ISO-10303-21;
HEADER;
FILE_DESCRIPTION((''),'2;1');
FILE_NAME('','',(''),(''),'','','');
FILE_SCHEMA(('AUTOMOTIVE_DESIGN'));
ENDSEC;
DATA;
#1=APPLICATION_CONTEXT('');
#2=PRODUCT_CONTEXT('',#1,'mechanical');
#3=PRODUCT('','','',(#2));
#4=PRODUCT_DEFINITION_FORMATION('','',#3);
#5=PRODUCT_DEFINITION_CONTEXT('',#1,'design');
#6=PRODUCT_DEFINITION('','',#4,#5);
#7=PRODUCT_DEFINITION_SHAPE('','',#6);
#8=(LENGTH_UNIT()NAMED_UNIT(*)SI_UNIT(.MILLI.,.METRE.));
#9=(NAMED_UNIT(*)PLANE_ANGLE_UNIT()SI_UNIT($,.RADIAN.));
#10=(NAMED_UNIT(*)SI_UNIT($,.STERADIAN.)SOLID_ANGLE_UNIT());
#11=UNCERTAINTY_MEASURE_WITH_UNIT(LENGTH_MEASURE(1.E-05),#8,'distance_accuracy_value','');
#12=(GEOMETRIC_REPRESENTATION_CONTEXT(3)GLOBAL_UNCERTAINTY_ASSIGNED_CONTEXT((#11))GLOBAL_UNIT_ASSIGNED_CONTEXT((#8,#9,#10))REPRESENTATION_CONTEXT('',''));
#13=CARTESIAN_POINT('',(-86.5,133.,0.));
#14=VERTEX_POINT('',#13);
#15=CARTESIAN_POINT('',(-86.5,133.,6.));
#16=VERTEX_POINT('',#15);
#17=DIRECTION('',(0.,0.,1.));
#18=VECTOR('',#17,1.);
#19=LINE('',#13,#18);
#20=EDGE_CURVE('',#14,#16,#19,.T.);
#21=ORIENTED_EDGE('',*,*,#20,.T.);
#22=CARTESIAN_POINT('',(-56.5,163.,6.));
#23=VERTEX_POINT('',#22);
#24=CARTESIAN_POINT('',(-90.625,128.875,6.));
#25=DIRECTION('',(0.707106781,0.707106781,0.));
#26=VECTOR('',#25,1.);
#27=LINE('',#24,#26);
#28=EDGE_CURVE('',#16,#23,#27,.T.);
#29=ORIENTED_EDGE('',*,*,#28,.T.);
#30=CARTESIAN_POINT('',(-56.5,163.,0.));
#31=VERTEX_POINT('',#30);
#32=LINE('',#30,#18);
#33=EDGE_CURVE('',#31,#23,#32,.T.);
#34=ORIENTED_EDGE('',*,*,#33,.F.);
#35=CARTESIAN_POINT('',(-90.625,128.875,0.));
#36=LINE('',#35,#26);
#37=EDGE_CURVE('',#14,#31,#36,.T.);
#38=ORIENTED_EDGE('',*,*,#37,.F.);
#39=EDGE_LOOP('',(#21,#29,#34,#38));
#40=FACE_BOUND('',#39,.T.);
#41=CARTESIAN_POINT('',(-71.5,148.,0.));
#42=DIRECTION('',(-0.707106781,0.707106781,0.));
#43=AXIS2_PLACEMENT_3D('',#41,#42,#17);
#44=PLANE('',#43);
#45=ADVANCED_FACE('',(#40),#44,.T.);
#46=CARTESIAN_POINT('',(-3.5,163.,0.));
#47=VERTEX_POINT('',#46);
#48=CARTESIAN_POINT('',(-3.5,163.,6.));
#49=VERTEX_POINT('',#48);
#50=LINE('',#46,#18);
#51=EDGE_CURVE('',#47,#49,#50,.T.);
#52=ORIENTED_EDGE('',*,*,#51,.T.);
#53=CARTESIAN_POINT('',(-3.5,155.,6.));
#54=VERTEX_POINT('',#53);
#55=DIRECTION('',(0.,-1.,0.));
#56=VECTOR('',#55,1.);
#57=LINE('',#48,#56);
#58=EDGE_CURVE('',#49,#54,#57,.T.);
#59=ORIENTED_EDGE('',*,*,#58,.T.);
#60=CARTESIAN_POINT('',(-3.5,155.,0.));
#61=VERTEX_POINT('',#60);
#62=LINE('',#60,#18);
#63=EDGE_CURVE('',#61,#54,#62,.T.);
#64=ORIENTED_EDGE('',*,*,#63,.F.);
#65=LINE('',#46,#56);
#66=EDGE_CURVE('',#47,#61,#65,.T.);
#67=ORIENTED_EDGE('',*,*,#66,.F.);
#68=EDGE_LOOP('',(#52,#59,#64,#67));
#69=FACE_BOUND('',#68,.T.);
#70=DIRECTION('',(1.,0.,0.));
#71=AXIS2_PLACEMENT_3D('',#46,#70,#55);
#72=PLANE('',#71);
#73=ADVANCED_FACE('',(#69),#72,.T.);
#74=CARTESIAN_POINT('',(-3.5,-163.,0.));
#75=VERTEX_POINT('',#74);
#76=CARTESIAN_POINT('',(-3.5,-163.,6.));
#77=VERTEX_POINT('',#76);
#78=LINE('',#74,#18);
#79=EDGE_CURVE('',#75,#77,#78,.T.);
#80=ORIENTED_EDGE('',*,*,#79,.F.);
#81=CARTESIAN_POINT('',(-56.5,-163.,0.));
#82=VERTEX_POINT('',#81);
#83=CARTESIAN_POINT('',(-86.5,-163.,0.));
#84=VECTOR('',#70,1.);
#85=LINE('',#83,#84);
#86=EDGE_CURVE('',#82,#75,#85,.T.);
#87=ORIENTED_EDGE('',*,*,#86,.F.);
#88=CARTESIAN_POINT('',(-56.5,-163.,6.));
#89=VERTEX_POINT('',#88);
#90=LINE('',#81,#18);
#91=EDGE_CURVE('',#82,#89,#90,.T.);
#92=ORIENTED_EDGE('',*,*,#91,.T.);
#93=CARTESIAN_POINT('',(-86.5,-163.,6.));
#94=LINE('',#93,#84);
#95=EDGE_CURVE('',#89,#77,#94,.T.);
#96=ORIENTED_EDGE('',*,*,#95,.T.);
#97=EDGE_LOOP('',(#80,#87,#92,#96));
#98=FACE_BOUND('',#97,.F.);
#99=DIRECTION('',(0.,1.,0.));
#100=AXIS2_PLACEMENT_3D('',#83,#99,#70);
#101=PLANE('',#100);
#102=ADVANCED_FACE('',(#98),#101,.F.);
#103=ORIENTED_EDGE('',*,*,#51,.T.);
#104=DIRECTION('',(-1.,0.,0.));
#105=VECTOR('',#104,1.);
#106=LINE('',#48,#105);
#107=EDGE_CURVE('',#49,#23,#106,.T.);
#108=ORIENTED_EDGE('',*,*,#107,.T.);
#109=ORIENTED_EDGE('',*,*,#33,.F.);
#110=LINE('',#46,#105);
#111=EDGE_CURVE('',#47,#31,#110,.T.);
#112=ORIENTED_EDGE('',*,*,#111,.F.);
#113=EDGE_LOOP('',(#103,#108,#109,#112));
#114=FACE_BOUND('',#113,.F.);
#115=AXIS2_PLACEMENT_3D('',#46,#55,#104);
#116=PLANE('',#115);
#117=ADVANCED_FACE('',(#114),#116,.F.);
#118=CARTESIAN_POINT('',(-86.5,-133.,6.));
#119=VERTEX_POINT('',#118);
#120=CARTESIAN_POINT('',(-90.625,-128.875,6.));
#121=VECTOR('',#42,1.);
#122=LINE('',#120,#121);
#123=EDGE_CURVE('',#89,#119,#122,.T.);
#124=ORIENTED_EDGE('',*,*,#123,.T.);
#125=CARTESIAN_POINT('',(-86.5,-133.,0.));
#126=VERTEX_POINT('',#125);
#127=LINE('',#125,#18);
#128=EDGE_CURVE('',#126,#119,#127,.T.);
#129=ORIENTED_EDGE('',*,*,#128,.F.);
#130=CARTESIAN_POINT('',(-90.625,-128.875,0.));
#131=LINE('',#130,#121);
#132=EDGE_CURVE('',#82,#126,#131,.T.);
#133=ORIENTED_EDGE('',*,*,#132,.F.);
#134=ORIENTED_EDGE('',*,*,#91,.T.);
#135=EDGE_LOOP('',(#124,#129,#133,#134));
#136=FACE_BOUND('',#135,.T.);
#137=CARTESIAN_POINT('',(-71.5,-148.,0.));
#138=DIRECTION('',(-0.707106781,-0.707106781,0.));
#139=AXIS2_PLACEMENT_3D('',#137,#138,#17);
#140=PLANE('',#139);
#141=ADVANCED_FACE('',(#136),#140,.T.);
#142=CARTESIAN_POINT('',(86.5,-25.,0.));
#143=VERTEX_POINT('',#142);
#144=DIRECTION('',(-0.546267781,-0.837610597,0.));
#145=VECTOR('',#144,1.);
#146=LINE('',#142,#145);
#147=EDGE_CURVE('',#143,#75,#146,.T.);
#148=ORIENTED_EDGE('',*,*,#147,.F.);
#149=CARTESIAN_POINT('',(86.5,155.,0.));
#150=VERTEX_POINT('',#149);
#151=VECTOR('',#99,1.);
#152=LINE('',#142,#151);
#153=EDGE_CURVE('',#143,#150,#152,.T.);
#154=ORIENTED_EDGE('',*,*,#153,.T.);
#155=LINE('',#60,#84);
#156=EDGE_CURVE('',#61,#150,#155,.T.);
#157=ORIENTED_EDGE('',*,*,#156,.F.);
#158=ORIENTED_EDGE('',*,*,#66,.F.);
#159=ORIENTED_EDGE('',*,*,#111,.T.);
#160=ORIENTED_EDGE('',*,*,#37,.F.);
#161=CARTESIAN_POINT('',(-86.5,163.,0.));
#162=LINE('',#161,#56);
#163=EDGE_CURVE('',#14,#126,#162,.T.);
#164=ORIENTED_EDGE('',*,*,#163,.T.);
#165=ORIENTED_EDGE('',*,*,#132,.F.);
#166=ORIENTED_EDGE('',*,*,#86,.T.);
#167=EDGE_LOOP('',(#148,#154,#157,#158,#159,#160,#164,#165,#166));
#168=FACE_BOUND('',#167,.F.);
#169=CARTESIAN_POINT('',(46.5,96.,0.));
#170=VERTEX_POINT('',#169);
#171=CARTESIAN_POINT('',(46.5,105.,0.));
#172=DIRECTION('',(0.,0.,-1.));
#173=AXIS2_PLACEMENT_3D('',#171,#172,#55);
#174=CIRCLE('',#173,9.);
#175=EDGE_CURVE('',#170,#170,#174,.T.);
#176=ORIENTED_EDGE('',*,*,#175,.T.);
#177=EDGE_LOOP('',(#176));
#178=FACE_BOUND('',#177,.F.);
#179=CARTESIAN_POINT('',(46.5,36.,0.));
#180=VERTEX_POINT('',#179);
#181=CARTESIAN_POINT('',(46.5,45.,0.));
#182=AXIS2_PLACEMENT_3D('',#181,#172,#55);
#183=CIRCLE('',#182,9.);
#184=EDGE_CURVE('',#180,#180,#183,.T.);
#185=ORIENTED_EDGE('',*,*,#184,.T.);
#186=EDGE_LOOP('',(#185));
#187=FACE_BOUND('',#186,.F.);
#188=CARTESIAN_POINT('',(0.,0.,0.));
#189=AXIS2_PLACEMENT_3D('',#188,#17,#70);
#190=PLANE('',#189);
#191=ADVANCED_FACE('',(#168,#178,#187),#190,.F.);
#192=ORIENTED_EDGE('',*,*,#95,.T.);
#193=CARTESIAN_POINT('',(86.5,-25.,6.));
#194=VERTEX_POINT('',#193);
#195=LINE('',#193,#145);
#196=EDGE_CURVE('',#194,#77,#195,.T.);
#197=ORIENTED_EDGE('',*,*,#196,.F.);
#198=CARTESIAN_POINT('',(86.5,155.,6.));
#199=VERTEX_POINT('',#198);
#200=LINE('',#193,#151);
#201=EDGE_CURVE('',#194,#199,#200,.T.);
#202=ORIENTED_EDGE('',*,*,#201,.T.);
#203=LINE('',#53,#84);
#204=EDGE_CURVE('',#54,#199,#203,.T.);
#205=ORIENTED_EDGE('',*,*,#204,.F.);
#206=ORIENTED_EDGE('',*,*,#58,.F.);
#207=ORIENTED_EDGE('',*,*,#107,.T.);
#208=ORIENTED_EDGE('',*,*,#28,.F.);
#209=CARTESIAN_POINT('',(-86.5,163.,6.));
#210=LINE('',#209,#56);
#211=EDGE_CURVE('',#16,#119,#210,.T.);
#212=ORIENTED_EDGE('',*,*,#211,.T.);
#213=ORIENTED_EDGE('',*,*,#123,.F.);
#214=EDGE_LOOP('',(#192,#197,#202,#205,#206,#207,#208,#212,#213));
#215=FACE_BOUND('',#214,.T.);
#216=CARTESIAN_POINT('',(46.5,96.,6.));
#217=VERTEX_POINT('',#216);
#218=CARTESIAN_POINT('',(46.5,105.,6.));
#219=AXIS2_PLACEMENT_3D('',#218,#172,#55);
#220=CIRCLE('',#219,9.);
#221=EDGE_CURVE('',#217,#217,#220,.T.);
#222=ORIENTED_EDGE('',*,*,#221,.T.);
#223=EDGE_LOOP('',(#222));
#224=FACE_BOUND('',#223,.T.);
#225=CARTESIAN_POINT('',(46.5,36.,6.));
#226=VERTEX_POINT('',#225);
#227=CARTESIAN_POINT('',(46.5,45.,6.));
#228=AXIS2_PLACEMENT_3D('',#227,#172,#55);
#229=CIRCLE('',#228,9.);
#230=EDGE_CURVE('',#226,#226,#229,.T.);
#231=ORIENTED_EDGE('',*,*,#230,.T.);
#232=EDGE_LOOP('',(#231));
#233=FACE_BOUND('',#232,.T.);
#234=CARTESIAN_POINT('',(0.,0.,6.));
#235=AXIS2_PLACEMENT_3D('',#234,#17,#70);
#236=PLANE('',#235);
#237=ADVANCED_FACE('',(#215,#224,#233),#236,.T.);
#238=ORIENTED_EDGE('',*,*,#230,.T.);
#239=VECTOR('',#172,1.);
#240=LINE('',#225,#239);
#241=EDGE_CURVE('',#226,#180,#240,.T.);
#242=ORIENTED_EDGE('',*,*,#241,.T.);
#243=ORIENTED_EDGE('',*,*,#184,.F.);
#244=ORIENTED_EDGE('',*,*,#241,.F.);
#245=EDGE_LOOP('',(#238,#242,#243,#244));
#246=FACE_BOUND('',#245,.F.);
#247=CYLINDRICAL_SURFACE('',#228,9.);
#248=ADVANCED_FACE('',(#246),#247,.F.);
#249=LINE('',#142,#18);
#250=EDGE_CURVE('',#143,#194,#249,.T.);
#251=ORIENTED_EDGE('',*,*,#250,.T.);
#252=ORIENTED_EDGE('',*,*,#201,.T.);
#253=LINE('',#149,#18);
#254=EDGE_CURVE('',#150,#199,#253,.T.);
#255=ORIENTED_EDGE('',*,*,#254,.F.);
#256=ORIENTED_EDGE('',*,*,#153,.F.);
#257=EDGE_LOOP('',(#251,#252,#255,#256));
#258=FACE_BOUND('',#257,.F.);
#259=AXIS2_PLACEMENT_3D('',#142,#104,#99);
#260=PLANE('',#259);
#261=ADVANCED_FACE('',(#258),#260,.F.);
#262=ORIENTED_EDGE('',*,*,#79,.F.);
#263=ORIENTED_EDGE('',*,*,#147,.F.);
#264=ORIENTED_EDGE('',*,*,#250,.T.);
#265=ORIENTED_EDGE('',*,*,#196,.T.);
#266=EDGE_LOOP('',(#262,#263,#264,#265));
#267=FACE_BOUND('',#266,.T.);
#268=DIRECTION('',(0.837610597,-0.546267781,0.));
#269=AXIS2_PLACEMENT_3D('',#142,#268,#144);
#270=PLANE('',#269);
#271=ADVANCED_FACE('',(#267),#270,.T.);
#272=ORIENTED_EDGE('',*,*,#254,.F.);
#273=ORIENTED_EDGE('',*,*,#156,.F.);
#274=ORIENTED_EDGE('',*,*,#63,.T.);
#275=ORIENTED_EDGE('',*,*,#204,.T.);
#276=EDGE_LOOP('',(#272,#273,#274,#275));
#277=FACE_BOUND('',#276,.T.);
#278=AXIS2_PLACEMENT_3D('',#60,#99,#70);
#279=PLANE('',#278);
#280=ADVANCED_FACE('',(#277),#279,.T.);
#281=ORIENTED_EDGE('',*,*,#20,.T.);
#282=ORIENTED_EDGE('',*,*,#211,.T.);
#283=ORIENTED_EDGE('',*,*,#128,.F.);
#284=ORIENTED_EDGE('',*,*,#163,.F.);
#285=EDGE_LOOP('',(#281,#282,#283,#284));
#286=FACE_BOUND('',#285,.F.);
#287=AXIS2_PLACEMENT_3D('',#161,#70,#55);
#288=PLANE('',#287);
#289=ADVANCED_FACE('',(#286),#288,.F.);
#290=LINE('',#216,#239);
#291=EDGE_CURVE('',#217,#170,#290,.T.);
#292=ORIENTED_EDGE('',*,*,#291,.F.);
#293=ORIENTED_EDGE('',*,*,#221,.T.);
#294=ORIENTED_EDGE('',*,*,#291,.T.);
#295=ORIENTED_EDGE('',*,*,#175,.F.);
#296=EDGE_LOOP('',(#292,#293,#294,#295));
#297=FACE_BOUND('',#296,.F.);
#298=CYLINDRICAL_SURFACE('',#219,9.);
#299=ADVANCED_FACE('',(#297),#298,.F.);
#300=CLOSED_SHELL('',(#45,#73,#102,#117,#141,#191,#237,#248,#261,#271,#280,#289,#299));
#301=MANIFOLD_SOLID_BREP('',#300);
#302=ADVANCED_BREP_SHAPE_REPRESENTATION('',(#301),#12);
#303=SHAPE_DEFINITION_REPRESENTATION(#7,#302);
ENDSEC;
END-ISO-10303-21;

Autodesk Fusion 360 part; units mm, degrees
sketch "スケッチ1" plane through (0, 0, 0) normal (0, 0, 1) x (1, 0, 0)
  line L0 (-3.5, 163) -> (-86.5, 163)
  line L1 (-86.5, 163) -> (-86.5, -163)
  line L2 (-86.5, -163) -> (-3.5, -163)
  line L3 (86.5, -25) -> (86.5, 155)
  line L4 (82.2546, 155) -> (-86.5, -163) construction
  line L5 (-86.5, 163) -> (46.1223, -86.9125) construction
  line L6 (-3.5, 163) -> (-3.5, 155)
  line L7 (-3.5, 155) -> (86.5, 155)
  line L8 (-86.5, -163) -> (-3.5, -163) construction
  line L9 (86.5, -25) -> (-3.5, -163)
  dimension "d2" = 326
  dimension "d5" = 83
extrude "押し出し1" add sketch "スケッチ1" along normal blind 6
chamfer "面取り1" distance 30 angle 45 2 edges at (-86.5, -163, 3) (-86.5, 163, 3)
sketch "スケッチ2" plane through (0, 0, 6) normal (0, 0, 1) x (-1, 0, 0)
  line L0 (56.5, -163) -> (86.5, -133)
  line L1 (86.5, -133) -> (86.5, 133)
  line L2 (86.5, 133) -> (56.5, 163)
  line L3 (56.5, 163) -> (3.5, 163)
  line L4 (3.5, 163) -> (-86.5, 25)
  line L5 (-86.5, 25) -> (-86.5, -155)
  line L6 (-86.5, -155) -> (3.5, -155)
  line L7 (3.5, -155) -> (3.5, -163)
  line L8 (3.5, -163) -> (56.5, -163)
  line L9 (-86.5, -155) -> (-46.5, -155) construction
  line L10 (-46.5, -155) -> (-46.5, -105) construction
  line L11 (-46.5, -105) -> (-86.5, -105) construction
  line L12 (-86.5, -105) -> (-86.5, -155) construction
  line L13 (-46.5, -105) -> (-46.5, -45) construction
  point P0 (-46.5, -105)
  point P1 (-46.5, -45)
  dimension "d10" = 40
  dimension "d11" = 50
  dimension "d12" = 60
hole "穴1" at (46.5, 105, 6) at (46.5, 45, 6) direction (0, 0, -1) diameter 18 end through all
equation "d5 = 30 mm + 53 mm"
